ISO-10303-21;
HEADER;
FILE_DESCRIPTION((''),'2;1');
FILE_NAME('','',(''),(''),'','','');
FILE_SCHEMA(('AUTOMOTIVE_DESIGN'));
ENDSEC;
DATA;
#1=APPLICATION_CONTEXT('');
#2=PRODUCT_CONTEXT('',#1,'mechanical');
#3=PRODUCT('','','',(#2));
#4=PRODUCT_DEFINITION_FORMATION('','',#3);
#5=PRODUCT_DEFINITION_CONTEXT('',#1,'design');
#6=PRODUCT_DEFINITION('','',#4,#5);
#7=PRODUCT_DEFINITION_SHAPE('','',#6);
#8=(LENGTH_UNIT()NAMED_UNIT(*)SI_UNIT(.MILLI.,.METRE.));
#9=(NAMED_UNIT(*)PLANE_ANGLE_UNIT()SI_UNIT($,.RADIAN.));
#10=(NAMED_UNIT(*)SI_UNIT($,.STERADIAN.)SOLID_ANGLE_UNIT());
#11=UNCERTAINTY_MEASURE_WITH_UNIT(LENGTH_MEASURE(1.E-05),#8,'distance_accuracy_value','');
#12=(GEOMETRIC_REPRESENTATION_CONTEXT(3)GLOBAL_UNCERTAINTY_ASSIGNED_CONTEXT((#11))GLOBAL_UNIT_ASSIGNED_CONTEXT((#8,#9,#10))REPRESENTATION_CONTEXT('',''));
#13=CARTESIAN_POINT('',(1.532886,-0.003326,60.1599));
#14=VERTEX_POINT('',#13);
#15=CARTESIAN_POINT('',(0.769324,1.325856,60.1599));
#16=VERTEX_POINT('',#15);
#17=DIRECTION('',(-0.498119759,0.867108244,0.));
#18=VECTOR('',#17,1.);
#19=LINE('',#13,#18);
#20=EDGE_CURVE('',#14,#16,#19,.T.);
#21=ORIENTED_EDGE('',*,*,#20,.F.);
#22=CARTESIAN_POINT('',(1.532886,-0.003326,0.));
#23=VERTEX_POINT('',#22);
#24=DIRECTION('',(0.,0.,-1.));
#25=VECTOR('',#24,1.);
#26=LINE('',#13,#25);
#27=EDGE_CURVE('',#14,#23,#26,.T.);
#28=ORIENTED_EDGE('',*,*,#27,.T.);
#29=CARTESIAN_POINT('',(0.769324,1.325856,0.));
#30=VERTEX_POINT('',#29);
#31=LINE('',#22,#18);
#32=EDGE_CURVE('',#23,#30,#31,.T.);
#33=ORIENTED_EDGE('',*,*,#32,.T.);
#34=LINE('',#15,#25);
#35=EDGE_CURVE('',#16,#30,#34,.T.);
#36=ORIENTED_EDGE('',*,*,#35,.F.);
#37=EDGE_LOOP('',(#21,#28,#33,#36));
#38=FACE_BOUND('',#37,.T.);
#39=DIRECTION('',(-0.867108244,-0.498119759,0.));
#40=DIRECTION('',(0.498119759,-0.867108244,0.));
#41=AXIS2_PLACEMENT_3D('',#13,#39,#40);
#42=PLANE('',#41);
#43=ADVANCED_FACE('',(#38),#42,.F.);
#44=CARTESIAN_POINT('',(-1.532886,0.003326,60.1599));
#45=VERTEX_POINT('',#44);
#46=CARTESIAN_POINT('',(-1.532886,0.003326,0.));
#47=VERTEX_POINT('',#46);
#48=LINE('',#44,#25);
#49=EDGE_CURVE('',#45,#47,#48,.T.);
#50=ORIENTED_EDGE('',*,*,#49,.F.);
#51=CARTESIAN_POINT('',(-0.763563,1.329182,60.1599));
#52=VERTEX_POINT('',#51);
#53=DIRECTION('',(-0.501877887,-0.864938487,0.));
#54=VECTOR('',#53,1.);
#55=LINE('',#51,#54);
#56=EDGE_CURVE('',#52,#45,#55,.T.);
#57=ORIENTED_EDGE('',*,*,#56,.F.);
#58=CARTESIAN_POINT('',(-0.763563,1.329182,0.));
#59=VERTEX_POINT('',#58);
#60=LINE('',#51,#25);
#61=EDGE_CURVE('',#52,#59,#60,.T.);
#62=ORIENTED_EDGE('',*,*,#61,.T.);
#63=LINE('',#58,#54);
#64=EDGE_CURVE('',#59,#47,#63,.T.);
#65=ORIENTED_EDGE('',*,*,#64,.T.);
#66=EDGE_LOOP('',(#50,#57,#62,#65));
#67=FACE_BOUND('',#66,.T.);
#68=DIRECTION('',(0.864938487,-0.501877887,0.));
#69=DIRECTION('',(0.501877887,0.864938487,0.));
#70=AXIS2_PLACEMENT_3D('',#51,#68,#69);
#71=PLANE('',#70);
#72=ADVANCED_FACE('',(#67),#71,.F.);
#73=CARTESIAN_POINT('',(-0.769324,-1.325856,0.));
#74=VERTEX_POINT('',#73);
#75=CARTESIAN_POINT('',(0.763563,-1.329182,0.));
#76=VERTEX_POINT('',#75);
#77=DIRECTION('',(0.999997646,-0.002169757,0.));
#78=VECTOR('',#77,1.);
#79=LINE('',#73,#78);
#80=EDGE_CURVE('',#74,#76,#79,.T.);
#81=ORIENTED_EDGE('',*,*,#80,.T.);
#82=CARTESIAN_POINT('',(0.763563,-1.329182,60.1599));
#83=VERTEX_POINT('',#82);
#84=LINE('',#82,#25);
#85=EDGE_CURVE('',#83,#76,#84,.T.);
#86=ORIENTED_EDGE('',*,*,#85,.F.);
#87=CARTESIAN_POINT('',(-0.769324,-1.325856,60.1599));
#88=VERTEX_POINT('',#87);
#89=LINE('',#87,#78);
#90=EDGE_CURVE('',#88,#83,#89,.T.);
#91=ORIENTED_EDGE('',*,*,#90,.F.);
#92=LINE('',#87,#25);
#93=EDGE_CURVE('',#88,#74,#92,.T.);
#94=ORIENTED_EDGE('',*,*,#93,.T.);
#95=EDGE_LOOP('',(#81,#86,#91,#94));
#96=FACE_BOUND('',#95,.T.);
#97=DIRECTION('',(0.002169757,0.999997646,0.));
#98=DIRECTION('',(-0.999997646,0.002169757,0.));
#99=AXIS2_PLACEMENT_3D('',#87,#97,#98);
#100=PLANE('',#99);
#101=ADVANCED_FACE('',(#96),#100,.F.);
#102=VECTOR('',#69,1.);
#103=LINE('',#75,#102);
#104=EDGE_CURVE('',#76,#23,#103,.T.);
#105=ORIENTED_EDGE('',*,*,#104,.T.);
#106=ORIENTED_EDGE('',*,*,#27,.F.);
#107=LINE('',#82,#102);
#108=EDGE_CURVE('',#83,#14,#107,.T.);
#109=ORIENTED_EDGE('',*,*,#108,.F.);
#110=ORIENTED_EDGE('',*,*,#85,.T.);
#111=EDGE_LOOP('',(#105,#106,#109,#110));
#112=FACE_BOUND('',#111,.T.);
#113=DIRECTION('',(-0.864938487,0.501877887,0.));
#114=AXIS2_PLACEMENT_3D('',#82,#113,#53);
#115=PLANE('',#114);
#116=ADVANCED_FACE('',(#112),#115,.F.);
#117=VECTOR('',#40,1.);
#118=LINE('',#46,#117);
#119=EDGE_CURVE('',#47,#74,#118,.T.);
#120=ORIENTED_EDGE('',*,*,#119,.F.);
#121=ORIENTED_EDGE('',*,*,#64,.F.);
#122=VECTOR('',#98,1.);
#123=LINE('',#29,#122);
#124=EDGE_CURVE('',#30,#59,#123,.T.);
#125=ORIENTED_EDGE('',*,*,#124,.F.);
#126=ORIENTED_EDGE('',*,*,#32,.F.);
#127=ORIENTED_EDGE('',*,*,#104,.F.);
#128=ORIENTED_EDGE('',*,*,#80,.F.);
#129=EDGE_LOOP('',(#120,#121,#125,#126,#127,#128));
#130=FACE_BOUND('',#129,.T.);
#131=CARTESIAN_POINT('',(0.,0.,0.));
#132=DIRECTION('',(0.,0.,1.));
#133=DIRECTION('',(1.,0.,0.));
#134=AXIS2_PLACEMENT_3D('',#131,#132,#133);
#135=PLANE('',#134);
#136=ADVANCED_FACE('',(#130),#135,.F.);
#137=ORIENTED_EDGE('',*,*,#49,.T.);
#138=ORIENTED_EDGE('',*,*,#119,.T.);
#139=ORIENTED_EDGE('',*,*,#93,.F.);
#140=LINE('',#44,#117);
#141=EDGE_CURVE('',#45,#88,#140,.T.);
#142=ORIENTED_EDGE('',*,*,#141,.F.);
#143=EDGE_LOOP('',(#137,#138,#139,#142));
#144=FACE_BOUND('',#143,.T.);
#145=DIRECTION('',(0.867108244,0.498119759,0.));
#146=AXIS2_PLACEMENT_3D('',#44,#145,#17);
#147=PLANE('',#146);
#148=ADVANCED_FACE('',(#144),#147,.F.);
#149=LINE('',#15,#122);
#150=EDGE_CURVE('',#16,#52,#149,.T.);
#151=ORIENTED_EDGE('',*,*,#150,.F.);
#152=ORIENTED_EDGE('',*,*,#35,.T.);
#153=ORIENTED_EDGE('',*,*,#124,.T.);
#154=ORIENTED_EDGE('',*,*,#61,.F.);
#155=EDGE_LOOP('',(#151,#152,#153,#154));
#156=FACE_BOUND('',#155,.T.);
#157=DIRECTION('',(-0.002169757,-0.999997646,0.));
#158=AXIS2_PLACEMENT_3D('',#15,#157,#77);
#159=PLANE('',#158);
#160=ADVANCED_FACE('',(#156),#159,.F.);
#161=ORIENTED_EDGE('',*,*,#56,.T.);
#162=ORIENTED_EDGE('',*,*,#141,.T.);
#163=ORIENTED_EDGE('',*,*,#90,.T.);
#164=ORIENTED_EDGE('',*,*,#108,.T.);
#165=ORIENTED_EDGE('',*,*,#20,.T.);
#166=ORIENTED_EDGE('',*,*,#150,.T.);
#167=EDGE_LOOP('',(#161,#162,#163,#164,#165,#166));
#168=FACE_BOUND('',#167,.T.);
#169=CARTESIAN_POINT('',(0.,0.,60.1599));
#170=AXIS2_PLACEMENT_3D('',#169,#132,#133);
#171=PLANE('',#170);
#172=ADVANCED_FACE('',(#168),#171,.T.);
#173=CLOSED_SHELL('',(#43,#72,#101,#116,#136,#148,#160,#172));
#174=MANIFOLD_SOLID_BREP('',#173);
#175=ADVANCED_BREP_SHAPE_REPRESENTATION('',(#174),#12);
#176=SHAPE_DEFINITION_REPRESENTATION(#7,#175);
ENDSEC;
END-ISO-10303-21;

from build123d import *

# Parameters (mm, degrees)
BOSS_EXTRUDE1_DEPTH = 60.1599


with BuildPart() as part:
    # Sketch1 → Boss-Extrude1 (new body)
    with BuildSketch(Plane.XY):
        Polygon((0.769323595, 1.325855557), (-0.763562797, 1.329181555), (-1.532886392, 0.003325998), (-0.769323595, -1.325855557), (0.763562797, -1.329181555), (1.532886392, -0.003325998), align=None)
    extrude(amount=BOSS_EXTRUDE1_DEPTH)


solid = part.part
